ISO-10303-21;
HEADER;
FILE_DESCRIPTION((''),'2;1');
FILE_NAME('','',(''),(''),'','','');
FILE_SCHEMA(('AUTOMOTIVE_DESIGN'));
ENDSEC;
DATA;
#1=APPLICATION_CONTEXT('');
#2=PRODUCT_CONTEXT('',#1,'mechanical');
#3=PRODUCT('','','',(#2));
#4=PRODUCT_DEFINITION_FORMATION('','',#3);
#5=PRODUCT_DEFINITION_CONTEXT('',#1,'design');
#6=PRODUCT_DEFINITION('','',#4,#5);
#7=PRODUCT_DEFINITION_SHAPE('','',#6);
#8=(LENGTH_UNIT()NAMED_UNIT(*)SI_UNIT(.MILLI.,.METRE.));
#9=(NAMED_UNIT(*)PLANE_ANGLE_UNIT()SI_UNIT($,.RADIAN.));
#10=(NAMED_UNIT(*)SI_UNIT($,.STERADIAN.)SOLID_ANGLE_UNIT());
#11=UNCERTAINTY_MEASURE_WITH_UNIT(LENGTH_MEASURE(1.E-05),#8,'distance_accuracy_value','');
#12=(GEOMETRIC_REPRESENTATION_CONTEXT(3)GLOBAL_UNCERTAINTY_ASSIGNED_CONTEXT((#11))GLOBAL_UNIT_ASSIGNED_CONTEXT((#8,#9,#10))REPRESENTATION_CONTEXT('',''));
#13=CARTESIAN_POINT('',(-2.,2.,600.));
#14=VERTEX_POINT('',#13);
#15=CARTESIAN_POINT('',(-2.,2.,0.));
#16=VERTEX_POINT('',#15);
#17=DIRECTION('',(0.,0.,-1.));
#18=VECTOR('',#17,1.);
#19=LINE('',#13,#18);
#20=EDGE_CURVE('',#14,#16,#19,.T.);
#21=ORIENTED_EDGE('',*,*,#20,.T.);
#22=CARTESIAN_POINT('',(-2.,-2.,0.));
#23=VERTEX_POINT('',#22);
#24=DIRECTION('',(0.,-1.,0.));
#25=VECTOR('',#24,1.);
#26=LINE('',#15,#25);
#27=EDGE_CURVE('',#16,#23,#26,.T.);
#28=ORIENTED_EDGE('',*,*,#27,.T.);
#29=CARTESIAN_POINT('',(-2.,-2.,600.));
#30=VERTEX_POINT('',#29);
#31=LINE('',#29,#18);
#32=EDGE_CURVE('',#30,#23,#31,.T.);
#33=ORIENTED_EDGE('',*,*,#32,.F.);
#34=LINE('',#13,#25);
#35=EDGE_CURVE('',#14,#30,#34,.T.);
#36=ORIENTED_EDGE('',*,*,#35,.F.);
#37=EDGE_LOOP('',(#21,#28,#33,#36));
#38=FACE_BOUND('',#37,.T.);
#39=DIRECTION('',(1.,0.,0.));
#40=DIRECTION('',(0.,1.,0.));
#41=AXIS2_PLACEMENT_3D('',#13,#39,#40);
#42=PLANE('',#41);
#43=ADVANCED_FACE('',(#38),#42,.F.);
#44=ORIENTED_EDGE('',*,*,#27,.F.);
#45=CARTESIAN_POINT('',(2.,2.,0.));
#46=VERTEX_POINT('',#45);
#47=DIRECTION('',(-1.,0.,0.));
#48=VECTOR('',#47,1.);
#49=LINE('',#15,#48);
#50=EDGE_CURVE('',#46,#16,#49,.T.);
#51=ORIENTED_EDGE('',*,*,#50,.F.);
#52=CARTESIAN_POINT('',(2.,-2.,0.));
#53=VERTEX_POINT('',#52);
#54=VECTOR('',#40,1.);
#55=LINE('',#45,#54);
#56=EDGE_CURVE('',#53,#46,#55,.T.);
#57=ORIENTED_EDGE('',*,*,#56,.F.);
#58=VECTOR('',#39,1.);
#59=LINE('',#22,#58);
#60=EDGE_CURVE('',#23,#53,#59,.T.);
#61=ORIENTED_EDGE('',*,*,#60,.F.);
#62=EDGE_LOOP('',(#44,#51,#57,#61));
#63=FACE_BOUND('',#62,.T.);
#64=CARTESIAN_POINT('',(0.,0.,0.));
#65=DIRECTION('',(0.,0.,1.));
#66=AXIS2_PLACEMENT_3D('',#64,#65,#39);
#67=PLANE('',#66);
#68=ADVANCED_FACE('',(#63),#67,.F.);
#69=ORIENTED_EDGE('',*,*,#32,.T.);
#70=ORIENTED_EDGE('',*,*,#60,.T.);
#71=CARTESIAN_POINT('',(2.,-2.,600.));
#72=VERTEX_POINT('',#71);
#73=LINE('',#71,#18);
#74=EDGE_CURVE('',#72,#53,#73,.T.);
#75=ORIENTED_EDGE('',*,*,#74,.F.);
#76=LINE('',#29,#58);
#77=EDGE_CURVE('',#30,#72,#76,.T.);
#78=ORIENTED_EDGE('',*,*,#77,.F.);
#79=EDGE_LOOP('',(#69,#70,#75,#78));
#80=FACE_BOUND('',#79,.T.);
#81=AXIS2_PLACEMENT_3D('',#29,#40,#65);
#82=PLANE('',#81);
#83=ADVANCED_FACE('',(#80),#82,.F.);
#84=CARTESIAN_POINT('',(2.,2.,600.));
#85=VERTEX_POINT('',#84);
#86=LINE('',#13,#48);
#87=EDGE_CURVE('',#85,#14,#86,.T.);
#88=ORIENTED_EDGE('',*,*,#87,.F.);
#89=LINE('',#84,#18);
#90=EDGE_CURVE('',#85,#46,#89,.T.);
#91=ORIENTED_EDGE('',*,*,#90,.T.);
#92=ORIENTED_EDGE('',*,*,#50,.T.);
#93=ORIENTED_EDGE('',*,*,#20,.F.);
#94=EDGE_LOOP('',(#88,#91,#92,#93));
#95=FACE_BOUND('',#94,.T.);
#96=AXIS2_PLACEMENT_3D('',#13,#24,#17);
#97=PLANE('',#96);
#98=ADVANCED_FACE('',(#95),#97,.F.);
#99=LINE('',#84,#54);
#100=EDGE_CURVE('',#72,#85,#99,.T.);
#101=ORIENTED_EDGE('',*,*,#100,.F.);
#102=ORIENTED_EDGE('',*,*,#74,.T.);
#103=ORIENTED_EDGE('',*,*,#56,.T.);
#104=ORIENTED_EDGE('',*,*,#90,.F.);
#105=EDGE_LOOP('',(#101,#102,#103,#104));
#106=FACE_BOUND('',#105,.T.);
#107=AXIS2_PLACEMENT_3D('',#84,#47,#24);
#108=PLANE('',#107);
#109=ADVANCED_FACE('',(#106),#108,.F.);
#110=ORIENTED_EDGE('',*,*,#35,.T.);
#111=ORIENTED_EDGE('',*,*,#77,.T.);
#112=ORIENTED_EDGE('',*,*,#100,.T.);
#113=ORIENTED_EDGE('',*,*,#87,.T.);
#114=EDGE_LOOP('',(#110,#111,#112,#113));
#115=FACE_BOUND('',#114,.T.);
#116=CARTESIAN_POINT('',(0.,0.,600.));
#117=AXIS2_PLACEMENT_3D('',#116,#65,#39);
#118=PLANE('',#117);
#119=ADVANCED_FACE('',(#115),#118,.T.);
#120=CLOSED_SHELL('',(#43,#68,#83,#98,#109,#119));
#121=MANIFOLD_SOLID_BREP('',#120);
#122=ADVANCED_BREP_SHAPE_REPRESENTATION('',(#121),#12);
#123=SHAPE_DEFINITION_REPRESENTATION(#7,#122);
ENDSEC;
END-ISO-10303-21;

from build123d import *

# Parameters (mm, degrees)
SKETCH_1_W      = 4
SKETCH_1_H      = 4
EXTRUDE_1_DEPTH = 600


with BuildPart() as part:
    # ｽｹｯﾁ1 → ﾎﾞｽ - 押し出し1 (new body)
    with BuildSketch(Plane.XY):
        Rectangle(SKETCH_1_W, SKETCH_1_H)
    extrude(amount=EXTRUDE_1_DEPTH)


solid = part.part
